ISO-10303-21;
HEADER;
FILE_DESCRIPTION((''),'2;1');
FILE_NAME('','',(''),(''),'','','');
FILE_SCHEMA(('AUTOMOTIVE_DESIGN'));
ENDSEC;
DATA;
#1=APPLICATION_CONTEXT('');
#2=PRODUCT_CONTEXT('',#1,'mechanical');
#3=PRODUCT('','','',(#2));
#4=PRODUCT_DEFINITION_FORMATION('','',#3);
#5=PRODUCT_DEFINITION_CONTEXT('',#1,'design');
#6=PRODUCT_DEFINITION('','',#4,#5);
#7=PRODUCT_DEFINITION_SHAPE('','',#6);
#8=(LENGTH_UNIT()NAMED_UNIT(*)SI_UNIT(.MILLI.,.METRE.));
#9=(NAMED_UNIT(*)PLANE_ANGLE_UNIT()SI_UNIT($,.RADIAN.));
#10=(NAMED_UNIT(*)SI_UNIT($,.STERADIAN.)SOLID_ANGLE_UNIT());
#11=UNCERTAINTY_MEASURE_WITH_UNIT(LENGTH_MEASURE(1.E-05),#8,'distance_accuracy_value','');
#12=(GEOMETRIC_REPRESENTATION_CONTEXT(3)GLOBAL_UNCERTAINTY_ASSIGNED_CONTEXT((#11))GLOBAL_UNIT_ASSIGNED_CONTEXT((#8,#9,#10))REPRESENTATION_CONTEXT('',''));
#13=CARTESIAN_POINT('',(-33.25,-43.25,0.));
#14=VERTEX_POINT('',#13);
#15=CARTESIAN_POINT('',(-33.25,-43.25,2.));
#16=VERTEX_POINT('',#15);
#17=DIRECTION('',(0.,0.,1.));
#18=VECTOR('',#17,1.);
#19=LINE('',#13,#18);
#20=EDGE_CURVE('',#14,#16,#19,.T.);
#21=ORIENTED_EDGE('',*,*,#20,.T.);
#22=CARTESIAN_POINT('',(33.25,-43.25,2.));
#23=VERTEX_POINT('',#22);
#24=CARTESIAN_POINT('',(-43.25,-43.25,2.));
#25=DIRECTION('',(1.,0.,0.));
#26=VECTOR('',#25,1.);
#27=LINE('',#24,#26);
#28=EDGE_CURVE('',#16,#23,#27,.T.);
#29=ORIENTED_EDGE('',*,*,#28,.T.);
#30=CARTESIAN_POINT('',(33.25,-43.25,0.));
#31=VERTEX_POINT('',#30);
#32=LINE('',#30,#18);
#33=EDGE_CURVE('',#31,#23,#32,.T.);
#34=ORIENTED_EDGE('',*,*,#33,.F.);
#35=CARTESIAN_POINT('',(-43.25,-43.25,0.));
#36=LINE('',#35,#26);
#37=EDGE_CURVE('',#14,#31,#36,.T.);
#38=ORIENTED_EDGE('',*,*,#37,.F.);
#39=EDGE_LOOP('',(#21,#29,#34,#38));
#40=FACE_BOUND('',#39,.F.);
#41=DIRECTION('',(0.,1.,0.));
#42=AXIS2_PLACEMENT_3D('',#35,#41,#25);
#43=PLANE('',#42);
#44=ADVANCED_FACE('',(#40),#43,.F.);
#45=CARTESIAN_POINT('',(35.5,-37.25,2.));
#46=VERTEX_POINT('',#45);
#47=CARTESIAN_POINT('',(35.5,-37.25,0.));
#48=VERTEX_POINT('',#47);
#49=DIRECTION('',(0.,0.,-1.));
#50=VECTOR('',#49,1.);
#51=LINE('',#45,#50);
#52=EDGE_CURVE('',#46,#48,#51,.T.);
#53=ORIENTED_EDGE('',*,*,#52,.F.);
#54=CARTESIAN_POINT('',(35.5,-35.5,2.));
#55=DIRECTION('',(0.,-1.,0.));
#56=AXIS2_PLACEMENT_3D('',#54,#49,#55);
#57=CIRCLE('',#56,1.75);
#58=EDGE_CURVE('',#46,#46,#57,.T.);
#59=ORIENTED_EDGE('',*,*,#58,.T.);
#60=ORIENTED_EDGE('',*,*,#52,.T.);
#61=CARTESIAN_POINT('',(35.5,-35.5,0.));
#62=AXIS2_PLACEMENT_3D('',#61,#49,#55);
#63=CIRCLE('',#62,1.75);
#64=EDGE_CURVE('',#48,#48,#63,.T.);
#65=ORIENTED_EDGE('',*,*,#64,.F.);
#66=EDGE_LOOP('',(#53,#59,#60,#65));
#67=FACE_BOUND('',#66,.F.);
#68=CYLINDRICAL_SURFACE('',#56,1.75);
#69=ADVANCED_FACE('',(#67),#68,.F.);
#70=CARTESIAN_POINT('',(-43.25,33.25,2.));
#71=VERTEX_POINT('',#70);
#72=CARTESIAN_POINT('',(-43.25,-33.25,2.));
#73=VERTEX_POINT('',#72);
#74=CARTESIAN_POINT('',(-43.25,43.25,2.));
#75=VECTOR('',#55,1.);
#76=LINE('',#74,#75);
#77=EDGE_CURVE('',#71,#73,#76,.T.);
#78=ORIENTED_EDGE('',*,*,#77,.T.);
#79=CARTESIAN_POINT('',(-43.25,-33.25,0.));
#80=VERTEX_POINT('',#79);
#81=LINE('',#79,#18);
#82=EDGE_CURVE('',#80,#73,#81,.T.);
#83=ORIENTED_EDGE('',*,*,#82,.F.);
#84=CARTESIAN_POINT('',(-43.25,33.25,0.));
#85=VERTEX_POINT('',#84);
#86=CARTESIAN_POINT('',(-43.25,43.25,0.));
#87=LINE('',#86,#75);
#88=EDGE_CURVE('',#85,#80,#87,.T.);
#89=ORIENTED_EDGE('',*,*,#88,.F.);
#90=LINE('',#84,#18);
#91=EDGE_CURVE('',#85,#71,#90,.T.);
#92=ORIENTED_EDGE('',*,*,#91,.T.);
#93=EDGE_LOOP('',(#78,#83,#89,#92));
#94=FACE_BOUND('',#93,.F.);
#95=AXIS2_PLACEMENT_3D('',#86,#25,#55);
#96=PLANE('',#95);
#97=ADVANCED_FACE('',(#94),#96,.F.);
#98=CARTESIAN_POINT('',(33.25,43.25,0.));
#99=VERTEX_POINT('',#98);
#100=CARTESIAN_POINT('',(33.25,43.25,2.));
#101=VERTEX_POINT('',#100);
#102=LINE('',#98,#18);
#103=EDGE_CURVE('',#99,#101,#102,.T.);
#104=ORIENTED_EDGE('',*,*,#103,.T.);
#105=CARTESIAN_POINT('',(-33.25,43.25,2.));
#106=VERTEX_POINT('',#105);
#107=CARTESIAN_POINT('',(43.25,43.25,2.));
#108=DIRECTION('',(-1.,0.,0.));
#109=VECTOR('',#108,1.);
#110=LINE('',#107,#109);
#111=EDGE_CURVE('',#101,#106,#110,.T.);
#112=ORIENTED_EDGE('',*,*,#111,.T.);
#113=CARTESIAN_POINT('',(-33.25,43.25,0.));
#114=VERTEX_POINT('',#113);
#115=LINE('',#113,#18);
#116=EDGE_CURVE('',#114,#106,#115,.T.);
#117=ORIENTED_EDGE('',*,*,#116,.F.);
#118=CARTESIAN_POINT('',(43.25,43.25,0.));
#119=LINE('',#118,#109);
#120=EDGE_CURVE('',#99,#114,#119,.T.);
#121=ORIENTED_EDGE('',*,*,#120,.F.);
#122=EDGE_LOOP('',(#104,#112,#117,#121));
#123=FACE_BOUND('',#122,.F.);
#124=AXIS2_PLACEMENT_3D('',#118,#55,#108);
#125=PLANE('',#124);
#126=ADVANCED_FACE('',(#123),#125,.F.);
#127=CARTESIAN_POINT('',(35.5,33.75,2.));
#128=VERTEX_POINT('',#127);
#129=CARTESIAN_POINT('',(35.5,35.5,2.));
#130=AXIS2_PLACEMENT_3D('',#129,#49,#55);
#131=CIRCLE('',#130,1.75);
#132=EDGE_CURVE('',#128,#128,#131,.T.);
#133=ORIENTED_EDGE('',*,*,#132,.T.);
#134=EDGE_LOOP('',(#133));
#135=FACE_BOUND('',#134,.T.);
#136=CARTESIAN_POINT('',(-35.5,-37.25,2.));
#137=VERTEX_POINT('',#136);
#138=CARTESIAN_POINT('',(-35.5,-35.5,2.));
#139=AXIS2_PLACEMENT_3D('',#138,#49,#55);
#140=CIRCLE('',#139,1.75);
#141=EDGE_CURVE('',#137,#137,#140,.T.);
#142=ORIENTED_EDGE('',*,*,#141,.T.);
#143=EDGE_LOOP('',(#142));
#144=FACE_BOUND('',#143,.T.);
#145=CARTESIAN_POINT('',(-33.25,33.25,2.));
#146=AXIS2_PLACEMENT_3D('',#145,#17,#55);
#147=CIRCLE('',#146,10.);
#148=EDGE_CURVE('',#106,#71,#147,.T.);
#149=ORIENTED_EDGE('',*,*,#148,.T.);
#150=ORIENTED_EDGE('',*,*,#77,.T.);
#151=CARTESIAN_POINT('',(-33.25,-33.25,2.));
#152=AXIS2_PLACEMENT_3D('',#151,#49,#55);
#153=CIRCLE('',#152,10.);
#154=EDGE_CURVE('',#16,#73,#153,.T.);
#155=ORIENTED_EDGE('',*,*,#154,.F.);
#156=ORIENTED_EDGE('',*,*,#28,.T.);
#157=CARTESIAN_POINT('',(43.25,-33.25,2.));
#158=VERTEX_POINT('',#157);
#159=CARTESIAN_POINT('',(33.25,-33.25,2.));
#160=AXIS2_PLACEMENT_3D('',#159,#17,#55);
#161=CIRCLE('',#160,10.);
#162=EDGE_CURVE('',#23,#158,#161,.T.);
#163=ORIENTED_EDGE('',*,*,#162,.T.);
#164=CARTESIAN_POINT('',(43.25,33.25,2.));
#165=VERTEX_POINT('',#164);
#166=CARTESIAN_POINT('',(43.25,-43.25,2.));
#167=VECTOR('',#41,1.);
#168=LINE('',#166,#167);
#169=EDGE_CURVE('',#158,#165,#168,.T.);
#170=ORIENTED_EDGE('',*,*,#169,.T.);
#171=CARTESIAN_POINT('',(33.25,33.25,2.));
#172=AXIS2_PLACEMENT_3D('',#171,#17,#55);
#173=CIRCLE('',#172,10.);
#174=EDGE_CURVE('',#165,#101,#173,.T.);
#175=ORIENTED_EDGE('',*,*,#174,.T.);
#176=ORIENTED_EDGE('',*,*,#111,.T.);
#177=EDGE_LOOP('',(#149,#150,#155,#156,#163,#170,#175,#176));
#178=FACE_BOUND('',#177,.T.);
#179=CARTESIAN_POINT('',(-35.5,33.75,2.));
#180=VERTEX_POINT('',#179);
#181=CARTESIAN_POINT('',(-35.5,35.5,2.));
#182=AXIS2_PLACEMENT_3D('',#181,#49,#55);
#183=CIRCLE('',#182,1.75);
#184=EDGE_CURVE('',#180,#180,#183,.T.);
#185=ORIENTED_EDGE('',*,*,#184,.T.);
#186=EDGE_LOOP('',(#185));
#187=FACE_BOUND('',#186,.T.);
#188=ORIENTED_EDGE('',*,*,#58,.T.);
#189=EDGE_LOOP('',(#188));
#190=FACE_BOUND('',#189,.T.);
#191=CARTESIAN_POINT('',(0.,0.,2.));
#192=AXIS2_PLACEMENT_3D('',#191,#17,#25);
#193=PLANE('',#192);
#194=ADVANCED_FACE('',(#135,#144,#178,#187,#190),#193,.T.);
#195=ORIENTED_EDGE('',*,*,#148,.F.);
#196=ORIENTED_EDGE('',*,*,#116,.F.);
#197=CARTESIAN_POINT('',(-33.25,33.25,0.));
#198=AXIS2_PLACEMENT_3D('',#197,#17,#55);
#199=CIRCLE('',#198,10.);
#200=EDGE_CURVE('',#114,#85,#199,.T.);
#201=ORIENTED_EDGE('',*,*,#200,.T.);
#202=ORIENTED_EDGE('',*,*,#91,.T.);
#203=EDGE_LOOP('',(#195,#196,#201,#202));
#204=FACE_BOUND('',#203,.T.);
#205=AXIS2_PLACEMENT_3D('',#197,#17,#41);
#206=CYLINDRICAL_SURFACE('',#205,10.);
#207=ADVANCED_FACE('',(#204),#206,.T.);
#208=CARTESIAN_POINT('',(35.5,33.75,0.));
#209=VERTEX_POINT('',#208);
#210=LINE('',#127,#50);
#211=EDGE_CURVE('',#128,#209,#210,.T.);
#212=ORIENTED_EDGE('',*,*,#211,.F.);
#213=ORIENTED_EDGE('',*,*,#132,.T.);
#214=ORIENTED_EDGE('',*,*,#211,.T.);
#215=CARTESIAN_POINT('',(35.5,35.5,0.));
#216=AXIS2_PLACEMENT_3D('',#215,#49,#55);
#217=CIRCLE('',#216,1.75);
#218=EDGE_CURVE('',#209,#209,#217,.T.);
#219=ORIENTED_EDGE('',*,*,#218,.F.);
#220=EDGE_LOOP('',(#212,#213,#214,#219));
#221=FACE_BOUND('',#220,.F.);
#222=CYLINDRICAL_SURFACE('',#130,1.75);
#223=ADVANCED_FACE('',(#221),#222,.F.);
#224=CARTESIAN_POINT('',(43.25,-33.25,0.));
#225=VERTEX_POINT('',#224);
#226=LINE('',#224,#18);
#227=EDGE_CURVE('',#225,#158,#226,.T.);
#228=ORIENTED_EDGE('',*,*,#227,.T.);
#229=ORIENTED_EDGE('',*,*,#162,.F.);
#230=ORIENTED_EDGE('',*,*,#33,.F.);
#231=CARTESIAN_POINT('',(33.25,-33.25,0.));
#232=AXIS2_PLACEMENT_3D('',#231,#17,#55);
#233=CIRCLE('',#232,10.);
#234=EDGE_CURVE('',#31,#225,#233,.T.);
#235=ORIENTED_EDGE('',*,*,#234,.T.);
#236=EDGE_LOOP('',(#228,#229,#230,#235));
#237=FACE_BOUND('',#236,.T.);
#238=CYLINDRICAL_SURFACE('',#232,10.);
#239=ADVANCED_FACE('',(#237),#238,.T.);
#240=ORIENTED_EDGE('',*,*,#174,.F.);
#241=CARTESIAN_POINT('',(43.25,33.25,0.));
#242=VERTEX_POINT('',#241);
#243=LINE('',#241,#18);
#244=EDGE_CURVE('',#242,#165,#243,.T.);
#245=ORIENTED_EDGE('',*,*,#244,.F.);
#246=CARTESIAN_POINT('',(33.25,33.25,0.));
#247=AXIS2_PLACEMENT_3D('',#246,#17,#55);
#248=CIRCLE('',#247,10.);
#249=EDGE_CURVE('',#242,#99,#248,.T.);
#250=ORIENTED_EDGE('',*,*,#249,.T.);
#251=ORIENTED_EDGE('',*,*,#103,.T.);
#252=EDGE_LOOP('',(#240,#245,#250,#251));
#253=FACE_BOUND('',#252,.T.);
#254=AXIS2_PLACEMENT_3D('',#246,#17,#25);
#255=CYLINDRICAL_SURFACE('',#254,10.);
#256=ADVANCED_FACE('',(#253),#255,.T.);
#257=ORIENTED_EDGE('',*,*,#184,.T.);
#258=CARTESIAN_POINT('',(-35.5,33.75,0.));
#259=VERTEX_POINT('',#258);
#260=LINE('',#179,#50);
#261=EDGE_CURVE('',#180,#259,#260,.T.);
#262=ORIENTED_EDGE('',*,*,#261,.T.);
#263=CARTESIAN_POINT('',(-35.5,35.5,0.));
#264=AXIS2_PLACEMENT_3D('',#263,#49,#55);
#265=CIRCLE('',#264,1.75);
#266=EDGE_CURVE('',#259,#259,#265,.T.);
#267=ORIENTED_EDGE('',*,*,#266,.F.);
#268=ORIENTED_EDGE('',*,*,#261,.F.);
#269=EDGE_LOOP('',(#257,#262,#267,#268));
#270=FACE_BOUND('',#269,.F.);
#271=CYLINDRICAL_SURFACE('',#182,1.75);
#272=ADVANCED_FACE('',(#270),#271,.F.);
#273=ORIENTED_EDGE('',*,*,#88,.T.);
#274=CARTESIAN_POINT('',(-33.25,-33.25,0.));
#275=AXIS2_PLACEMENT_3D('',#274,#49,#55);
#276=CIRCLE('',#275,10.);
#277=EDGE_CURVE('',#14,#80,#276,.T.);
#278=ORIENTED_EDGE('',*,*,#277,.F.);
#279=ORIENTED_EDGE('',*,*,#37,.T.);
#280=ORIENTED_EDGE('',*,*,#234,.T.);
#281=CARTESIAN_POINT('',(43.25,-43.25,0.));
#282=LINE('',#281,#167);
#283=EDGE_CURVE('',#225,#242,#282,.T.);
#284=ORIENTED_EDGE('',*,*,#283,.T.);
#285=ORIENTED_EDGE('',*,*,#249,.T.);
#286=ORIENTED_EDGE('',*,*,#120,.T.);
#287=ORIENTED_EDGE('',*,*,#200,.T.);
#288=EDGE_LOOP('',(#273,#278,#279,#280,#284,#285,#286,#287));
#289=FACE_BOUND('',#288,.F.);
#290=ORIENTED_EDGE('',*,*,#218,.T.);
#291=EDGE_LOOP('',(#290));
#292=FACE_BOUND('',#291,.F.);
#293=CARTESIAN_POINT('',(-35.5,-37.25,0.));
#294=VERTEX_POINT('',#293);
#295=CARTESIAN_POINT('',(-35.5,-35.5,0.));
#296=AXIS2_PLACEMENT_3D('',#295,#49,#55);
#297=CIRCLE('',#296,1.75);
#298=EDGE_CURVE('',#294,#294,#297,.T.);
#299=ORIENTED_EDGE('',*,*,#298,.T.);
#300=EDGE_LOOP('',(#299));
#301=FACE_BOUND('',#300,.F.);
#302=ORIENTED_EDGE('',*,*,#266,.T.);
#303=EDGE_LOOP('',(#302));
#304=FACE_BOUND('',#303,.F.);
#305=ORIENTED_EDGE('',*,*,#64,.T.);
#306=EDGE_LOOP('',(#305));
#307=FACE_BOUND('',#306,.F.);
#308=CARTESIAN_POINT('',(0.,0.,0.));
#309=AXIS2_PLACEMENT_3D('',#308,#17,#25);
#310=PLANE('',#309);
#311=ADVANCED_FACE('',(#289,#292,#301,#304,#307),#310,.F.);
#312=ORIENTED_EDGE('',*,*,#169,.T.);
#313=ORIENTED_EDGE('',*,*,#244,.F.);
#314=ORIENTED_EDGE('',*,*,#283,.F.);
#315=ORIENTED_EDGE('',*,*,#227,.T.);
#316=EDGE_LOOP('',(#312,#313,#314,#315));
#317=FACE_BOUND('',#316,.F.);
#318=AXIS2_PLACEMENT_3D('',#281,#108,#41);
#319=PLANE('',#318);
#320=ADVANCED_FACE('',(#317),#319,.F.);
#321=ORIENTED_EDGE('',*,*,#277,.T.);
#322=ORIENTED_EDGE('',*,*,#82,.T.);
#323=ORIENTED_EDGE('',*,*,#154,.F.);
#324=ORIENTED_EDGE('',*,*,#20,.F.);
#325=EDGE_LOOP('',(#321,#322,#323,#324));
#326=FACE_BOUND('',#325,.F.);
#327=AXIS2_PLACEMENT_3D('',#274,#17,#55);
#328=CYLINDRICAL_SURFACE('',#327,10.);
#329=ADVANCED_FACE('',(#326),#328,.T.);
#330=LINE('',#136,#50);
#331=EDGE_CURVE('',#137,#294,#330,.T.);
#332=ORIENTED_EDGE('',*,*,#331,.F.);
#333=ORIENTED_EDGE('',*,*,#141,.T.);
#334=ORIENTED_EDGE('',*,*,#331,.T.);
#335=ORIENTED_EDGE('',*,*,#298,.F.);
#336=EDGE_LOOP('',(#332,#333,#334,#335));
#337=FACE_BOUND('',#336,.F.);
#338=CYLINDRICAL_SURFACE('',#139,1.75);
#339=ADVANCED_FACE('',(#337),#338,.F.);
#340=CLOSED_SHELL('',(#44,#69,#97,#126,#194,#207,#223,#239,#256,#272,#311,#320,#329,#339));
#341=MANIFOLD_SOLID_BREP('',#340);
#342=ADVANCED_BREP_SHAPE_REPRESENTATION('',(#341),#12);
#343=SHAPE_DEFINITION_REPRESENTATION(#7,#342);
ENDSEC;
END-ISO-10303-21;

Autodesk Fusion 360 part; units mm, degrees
sketch "Sketch1" plane through (0, 0, 0) normal (0, 0, 1) x (1, 0, 0)
  line L0 (43.25, 43.25) -> (-43.25, 43.25)
  line L1 (-43.25, 43.25) -> (-43.25, -43.25)
  line L2 (-43.25, -43.25) -> (43.25, -43.25)
  line L3 (43.25, -43.25) -> (43.25, 43.25)
  line L4 (43.25, 43.25) -> (-43.25, -43.25) construction
  line L5 (-43.25, 43.25) -> (43.25, -43.25) construction
  dimension "d17" = 86.5
  dimension "d18" = 86.5
extrude "Extrude1" add sketch "Sketch1" along normal blind 2
fillet "Fillet1" radius 10 1 edges at (-43.25, -43.25, 1)
fillet "Fillet2" radius 10 1 edges at (43.25, -43.25, 1)
fillet "Fillet3" radius 10 1 edges at (43.25, 43.25, 1)
fillet "Fillet4" radius 10 1 edges at (-43.25, 43.25, 1)
sketch "Sketch2" plane through (0, 0, 2) normal (0, 0, 1) x (-1, 0, 0)
  arc A0 (33.25, -43.25) -> (43.25, -33.25) centre (33.25, -33.25) ccw
  line L0 (43.25, -33.25) -> (43.25, 33.25)
  arc A1 (43.25, 33.25) -> (33.25, 43.25) centre (33.25, 33.25) ccw
  line L1 (33.25, 43.25) -> (-33.25, 43.25)
  arc A2 (-33.25, 43.25) -> (-43.25, 33.25) centre (-33.25, 33.25) ccw
  line L2 (-43.25, 33.25) -> (-43.25, -33.25)
  arc A3 (-43.25, -33.25) -> (-33.25, -43.25) centre (-33.25, -33.25) ccw
  line L3 (-33.25, -43.25) -> (33.25, -43.25)
  point P0 (35.5, -35.5)
  point P1 (-35.5, -35.5)
  point P2 (-35.5, 35.5)
  point P3 (35.5, 35.5)
  dimension "d25" = 35.5
  dimension "d26" = 35.5
  dimension "d27" = 71
  dimension "d28" = 71
hole "Hole1" at (-35.5, 35.5, 2) at (35.5, 35.5, 2) at (35.5, -35.5, 2) at (-35.5, -35.5, 2) direction (0, 0, -1) diameter 3.5 depth 30 tip angle 118
